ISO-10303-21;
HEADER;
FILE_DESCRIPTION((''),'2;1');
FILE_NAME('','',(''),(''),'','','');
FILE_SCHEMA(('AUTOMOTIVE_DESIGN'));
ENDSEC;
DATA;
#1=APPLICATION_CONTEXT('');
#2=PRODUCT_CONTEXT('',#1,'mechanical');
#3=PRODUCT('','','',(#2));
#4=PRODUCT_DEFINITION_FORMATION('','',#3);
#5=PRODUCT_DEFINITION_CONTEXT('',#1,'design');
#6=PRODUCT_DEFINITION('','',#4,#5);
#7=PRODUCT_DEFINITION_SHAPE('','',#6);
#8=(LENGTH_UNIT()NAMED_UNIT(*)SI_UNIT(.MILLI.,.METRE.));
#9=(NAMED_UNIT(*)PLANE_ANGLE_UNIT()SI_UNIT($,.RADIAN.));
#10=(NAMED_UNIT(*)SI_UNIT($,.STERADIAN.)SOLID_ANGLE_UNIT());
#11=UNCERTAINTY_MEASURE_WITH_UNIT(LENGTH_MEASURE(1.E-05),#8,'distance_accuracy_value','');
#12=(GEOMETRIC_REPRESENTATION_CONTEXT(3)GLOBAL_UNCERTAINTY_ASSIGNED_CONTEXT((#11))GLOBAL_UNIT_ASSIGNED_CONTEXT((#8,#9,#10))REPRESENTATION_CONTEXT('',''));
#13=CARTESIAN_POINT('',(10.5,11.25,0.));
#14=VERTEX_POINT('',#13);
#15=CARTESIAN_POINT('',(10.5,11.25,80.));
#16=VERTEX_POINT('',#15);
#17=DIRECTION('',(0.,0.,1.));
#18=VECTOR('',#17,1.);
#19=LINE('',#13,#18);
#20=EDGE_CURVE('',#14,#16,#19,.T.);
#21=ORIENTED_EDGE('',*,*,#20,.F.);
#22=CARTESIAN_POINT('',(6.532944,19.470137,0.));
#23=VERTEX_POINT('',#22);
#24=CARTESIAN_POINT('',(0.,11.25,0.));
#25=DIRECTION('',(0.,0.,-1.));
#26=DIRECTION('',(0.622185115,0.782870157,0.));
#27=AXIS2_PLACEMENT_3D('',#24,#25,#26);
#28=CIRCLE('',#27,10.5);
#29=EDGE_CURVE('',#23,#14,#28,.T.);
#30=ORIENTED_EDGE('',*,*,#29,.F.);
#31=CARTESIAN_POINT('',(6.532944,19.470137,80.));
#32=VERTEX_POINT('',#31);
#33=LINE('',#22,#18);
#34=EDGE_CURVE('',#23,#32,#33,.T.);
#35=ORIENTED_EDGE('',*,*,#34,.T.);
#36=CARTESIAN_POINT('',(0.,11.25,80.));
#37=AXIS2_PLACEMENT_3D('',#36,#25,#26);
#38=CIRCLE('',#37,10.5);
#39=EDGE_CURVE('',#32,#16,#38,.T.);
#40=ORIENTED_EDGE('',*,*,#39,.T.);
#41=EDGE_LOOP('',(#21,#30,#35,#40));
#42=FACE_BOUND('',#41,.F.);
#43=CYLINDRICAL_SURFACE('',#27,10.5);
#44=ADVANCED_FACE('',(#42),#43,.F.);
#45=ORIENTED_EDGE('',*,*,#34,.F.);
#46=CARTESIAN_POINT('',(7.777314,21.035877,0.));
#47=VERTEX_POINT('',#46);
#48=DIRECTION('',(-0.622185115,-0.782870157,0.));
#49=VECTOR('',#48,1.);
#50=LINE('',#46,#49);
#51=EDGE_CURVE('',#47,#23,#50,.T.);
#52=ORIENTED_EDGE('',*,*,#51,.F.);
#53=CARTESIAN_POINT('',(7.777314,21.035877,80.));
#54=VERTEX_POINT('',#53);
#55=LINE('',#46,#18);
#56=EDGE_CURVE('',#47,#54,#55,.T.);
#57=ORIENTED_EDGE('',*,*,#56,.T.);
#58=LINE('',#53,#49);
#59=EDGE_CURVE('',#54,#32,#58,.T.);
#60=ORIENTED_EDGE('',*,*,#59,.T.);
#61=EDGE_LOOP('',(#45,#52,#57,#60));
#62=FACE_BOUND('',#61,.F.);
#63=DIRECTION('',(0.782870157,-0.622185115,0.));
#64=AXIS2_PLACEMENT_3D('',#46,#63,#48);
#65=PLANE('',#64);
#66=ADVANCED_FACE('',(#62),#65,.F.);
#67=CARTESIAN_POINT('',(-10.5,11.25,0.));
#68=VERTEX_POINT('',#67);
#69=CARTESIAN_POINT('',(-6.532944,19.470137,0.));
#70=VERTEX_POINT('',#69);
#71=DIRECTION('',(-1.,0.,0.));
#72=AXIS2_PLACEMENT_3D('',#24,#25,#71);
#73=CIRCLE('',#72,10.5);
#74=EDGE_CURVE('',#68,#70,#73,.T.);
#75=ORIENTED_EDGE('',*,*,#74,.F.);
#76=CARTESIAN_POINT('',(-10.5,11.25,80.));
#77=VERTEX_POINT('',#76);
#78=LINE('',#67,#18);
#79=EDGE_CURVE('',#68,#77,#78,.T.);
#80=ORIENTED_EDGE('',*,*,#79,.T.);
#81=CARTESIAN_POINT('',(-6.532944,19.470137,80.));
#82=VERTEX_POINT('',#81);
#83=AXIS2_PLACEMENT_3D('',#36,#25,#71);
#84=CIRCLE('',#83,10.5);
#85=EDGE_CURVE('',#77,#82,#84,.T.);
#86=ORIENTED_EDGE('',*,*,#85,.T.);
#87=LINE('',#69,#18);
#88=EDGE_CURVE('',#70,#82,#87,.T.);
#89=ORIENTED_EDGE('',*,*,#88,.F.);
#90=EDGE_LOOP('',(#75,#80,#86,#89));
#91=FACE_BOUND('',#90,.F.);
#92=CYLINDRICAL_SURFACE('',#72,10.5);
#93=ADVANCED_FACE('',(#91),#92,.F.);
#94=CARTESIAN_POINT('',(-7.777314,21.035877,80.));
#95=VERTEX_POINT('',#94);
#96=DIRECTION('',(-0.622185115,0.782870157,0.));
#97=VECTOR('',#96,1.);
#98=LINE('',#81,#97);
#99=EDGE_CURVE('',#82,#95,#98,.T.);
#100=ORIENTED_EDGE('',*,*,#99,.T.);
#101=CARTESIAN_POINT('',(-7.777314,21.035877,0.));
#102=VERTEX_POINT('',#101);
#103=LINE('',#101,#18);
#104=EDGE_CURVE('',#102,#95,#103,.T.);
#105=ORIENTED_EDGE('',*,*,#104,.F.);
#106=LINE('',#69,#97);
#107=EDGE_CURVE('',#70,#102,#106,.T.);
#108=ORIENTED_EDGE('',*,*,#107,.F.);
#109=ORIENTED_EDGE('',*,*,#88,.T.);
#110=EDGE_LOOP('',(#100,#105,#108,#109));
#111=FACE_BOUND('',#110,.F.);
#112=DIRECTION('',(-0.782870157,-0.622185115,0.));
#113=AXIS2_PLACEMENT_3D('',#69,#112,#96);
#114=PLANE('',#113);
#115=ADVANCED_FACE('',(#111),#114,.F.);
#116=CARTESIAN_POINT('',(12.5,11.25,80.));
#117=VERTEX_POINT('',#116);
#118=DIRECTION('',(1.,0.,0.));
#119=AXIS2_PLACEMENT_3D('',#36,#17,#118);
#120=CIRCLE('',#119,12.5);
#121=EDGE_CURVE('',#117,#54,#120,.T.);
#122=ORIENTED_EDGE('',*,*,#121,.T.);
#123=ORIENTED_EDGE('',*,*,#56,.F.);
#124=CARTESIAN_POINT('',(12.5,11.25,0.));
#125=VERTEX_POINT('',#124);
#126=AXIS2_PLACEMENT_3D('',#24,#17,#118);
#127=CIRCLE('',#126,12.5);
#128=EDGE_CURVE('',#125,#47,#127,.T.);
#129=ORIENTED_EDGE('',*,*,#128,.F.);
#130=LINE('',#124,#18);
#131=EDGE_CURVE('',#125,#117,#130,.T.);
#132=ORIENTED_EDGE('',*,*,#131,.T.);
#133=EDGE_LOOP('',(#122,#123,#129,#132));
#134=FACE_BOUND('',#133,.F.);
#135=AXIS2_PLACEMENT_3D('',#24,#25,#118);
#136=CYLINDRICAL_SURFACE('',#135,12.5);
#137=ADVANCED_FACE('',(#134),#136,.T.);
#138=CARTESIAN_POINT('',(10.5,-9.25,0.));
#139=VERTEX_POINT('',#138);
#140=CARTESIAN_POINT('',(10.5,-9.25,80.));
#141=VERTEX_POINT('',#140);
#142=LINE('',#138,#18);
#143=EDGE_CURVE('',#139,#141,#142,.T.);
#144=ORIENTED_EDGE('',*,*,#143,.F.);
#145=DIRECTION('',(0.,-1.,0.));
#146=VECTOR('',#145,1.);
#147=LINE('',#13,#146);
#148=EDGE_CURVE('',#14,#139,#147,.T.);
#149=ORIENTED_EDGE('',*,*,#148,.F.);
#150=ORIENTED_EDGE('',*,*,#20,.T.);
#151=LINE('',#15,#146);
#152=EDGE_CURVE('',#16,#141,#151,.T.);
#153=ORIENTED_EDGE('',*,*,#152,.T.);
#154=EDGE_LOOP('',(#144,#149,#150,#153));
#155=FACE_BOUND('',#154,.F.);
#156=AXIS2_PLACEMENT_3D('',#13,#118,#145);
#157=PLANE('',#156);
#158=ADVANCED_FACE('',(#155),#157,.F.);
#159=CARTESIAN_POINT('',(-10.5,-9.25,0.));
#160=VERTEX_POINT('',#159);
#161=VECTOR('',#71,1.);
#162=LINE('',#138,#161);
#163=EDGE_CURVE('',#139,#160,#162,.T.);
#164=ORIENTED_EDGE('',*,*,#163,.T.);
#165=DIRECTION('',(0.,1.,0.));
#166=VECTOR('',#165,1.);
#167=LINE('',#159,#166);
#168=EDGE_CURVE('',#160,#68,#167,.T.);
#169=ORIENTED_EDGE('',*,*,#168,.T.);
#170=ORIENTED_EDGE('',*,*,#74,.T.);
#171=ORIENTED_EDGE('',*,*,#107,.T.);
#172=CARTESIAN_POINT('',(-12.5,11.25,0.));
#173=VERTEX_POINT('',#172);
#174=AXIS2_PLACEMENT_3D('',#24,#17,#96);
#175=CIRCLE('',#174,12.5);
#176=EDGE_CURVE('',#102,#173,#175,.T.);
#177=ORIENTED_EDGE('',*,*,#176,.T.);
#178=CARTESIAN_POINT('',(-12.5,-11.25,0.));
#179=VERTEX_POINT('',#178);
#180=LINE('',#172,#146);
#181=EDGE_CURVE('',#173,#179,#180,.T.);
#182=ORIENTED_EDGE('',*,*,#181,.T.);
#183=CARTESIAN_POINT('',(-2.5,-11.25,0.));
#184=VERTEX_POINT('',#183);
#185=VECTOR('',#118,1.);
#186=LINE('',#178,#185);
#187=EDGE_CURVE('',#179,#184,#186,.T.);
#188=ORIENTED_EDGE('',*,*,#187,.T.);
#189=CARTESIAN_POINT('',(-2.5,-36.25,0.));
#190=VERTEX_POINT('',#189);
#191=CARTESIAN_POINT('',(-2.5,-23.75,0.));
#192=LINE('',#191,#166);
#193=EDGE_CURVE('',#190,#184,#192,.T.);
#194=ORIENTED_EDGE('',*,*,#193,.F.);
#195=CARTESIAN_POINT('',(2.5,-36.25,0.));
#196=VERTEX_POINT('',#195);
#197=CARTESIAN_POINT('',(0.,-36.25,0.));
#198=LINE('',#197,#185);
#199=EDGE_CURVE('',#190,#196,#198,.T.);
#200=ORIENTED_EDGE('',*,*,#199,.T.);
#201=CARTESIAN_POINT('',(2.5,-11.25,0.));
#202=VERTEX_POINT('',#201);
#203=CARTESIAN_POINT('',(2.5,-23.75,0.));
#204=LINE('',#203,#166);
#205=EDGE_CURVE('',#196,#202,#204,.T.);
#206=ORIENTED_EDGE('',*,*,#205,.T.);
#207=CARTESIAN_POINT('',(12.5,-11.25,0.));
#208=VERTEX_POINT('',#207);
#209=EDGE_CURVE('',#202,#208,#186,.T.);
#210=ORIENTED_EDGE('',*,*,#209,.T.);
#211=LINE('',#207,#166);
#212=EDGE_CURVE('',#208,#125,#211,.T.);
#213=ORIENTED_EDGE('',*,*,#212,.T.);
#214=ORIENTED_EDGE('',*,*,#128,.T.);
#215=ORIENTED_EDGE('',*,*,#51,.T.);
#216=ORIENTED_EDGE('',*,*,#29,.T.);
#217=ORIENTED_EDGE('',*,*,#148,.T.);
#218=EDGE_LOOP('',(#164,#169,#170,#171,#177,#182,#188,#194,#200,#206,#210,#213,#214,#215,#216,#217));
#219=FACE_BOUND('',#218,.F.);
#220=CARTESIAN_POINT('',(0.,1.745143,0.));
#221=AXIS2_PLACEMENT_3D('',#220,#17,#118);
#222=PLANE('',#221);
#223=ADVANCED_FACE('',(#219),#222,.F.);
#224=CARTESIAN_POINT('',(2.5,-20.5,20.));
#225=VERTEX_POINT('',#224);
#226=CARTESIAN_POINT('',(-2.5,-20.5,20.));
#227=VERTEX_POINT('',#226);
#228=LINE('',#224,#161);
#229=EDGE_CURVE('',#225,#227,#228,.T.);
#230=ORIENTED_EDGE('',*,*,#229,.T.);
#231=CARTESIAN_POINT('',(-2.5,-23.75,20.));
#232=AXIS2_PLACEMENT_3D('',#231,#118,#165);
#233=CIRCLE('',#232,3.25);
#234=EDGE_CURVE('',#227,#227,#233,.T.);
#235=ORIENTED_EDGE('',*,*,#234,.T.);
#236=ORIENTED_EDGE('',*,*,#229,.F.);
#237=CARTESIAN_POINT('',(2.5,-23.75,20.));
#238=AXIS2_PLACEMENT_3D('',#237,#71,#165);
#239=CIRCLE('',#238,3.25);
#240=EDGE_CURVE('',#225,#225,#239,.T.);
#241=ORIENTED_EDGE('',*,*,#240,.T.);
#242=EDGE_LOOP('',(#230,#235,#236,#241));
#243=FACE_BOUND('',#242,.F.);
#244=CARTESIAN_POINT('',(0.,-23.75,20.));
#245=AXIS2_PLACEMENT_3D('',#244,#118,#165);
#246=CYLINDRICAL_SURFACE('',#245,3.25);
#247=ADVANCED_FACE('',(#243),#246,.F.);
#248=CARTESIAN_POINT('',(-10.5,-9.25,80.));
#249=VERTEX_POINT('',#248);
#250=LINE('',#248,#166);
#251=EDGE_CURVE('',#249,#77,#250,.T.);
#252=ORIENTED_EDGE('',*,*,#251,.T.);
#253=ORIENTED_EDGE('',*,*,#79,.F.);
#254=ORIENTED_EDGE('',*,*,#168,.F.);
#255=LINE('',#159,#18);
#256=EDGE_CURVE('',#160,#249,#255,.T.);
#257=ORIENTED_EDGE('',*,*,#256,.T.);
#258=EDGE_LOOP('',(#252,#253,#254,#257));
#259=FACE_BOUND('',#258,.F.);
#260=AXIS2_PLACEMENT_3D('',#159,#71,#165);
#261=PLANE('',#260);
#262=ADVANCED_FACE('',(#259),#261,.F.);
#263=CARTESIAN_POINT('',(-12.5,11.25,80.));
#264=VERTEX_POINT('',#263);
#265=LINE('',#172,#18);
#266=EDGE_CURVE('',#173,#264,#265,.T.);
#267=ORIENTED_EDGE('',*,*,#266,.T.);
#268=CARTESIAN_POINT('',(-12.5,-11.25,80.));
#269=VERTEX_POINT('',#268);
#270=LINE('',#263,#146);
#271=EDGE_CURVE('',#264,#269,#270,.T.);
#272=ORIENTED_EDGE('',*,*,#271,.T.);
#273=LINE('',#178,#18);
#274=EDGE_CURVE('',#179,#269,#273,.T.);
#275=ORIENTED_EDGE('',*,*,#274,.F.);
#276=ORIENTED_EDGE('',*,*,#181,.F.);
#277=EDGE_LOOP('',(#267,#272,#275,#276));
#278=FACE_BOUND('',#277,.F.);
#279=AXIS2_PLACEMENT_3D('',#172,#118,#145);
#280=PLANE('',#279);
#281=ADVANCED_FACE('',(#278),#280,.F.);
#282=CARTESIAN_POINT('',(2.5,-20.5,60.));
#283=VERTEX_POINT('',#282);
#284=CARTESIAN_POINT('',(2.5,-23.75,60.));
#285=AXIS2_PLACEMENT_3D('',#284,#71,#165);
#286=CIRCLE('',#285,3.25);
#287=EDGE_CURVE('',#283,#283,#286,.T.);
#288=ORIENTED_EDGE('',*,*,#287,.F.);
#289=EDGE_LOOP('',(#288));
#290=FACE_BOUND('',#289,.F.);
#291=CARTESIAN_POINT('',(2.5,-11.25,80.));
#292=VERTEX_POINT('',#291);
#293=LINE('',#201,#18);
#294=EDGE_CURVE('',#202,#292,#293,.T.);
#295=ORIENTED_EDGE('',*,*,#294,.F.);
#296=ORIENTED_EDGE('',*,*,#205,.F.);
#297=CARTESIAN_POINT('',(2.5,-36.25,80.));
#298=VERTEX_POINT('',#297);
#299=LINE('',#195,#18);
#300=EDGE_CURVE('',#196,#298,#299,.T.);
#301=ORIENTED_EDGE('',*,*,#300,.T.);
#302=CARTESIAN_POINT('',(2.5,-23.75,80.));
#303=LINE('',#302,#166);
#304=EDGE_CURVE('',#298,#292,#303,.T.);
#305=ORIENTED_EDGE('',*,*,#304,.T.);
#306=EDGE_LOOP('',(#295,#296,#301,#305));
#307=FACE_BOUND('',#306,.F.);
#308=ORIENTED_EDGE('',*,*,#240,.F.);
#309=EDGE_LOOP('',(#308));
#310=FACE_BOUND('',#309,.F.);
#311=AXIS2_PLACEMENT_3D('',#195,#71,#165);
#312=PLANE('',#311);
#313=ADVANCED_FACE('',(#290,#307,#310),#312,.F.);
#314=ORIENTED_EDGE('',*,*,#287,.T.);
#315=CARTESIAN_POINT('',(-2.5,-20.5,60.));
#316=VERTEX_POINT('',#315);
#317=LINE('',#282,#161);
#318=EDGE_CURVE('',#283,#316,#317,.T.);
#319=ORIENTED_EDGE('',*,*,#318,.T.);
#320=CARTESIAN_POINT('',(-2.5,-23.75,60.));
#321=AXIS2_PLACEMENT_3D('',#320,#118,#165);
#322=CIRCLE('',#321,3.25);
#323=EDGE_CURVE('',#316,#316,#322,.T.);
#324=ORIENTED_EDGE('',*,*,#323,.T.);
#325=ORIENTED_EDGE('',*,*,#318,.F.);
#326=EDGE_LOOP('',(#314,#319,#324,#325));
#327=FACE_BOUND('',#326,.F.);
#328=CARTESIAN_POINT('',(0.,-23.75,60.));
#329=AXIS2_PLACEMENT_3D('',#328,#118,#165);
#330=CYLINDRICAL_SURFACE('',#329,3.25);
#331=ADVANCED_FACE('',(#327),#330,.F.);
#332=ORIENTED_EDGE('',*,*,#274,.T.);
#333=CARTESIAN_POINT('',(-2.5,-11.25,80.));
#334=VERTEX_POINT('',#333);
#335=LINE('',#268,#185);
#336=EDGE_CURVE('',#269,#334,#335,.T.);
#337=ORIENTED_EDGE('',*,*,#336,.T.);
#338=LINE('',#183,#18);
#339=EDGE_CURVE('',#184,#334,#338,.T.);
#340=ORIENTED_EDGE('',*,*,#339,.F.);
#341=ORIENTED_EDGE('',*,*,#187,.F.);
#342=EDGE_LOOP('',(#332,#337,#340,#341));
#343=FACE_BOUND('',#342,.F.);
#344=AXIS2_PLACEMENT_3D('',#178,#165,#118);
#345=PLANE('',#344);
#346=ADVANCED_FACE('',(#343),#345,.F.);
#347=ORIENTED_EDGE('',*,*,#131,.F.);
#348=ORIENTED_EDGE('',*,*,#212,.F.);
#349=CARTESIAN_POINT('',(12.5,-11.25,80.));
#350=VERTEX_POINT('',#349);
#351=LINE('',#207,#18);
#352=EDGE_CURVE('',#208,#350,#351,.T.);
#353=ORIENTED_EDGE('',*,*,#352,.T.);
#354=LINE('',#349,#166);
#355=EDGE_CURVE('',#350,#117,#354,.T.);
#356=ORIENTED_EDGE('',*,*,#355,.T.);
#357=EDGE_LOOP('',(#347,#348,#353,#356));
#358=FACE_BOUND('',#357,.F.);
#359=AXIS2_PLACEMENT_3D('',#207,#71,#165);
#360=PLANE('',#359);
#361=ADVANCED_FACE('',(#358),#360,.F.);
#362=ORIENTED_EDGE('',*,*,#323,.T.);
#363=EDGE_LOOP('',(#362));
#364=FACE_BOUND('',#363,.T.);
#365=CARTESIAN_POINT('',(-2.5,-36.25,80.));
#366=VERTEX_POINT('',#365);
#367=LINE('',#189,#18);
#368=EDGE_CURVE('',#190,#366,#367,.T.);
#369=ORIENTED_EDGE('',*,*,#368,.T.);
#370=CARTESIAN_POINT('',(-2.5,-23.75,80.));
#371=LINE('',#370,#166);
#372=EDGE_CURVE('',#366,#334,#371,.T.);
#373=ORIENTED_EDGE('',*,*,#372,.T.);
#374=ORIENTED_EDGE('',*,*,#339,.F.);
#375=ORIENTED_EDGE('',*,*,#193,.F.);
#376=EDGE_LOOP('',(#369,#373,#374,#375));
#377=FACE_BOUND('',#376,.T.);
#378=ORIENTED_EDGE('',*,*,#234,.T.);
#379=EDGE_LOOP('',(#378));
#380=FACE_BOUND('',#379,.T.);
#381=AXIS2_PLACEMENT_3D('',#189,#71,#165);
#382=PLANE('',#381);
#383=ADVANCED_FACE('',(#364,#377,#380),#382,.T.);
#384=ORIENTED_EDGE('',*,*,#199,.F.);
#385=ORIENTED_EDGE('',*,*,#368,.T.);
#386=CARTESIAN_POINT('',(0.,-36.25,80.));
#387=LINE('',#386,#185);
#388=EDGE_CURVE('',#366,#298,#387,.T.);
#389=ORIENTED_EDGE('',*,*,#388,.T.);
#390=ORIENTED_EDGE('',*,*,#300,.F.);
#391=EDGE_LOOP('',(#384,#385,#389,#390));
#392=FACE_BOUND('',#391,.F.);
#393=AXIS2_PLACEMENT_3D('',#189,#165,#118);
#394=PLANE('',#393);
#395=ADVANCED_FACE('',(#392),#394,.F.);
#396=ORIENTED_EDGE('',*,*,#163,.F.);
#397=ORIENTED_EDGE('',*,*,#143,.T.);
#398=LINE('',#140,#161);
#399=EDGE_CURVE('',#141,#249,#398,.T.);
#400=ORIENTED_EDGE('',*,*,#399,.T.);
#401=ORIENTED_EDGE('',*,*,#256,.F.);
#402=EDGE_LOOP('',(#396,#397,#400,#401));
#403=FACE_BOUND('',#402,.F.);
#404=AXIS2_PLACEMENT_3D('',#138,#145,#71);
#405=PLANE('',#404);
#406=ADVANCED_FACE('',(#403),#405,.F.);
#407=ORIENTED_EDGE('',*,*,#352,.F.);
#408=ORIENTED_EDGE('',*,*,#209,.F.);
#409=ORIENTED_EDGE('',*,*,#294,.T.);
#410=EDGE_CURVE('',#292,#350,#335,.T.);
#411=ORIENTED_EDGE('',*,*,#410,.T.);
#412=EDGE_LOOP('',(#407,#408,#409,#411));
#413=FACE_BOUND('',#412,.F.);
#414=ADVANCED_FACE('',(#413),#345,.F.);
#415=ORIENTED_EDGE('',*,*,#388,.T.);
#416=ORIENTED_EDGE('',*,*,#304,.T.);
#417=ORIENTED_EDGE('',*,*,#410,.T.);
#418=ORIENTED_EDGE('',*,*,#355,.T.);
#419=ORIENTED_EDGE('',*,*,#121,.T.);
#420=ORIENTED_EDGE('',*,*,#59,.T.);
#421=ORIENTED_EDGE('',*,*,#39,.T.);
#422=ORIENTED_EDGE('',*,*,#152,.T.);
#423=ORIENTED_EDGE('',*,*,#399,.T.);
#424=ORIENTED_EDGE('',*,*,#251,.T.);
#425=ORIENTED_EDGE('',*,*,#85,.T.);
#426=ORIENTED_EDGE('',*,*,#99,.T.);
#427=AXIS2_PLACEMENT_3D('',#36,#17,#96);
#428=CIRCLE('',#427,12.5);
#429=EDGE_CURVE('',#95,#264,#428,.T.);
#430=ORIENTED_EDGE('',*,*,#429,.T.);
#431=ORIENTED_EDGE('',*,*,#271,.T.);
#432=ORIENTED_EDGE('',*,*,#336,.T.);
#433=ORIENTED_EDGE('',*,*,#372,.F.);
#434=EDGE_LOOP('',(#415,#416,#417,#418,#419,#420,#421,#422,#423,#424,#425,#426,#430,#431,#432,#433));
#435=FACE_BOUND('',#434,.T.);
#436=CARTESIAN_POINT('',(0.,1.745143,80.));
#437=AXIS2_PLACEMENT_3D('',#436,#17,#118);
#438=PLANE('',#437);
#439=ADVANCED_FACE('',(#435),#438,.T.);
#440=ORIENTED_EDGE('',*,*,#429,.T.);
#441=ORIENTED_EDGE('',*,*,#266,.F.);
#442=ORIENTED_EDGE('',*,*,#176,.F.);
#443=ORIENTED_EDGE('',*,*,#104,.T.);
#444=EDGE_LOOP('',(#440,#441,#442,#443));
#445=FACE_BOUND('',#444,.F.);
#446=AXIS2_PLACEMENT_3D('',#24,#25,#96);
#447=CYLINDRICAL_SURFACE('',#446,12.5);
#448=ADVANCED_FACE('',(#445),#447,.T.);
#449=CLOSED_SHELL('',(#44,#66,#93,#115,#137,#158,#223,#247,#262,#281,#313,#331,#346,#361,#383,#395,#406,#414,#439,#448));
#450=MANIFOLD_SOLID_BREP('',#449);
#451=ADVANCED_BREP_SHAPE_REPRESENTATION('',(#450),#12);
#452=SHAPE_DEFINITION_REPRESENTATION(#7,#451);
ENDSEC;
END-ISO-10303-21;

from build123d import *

# Parameters (mm, degrees)
F2_DEPTH      = 80
F1_W          = 5
F1_H          = 25
F3_DEPTH      = 80
F4_R          = 3.25
F5_DEPTH      = 25
F5_DEPTH_BACK = 25


with BuildPart() as f2:
    # F0 (on Top) → F2 (new body)
    with BuildSketch(Plane.XY):
        with BuildLine():
            Line((-12.5, -11.25), (12.5, -11.25))
            Line((12.5, -11.25), (12.5, 11.25))
            ThreePointArc((12.5, 11.25), (11.2575846496, 16.6829354732), (7.777313943, 21.0358769577))
            Line((7.777313943, 21.0358769577), (6.5329437122, 19.4701366445))
            ThreePointArc((6.5329437122, 19.4701366445), (9.4563711057, 15.8136657975), (10.5, 11.25))
            Line((10.5, 11.25), (10.5, -9.25))
            Line((10.5, -9.25), (-10.5, -9.25))
            Line((-10.5, -9.25), (-10.5, 11.25))
            ThreePointArc((-10.5, 11.25), (-9.4563711057, 15.8136657975), (-6.5329437122, 19.4701366445))
            Line((-6.5329437122, 19.4701366445), (-7.777313943, 21.0358769577))
            ThreePointArc((-7.777313943, 21.0358769577), (-11.2575846496, 16.6829354732), (-12.5, 11.25))
            Line((-12.5, 11.25), (-12.5, -11.25))
        make_face()
    extrude(amount=F2_DEPTH)

    # F1 (on Top) → F3 (join)
    with BuildSketch(Plane.XY):
        with Locations((0, -23.75)):
            Rectangle(F1_W, F1_H)
    extrude(amount=F3_DEPTH)

    # F4 (on Right) → F5 (cut, two sides)
    with BuildSketch(Plane.YZ) as f5_sk:
        with Locations((-23.75, 20)):
            Circle(F4_R)
        with Locations((-23.75, 60)):
            Circle(F4_R)
    extrude(amount=-F5_DEPTH, mode=Mode.SUBTRACT)
    extrude(f5_sk.sketch, amount=F5_DEPTH_BACK, mode=Mode.SUBTRACT)


solid = f2.part
